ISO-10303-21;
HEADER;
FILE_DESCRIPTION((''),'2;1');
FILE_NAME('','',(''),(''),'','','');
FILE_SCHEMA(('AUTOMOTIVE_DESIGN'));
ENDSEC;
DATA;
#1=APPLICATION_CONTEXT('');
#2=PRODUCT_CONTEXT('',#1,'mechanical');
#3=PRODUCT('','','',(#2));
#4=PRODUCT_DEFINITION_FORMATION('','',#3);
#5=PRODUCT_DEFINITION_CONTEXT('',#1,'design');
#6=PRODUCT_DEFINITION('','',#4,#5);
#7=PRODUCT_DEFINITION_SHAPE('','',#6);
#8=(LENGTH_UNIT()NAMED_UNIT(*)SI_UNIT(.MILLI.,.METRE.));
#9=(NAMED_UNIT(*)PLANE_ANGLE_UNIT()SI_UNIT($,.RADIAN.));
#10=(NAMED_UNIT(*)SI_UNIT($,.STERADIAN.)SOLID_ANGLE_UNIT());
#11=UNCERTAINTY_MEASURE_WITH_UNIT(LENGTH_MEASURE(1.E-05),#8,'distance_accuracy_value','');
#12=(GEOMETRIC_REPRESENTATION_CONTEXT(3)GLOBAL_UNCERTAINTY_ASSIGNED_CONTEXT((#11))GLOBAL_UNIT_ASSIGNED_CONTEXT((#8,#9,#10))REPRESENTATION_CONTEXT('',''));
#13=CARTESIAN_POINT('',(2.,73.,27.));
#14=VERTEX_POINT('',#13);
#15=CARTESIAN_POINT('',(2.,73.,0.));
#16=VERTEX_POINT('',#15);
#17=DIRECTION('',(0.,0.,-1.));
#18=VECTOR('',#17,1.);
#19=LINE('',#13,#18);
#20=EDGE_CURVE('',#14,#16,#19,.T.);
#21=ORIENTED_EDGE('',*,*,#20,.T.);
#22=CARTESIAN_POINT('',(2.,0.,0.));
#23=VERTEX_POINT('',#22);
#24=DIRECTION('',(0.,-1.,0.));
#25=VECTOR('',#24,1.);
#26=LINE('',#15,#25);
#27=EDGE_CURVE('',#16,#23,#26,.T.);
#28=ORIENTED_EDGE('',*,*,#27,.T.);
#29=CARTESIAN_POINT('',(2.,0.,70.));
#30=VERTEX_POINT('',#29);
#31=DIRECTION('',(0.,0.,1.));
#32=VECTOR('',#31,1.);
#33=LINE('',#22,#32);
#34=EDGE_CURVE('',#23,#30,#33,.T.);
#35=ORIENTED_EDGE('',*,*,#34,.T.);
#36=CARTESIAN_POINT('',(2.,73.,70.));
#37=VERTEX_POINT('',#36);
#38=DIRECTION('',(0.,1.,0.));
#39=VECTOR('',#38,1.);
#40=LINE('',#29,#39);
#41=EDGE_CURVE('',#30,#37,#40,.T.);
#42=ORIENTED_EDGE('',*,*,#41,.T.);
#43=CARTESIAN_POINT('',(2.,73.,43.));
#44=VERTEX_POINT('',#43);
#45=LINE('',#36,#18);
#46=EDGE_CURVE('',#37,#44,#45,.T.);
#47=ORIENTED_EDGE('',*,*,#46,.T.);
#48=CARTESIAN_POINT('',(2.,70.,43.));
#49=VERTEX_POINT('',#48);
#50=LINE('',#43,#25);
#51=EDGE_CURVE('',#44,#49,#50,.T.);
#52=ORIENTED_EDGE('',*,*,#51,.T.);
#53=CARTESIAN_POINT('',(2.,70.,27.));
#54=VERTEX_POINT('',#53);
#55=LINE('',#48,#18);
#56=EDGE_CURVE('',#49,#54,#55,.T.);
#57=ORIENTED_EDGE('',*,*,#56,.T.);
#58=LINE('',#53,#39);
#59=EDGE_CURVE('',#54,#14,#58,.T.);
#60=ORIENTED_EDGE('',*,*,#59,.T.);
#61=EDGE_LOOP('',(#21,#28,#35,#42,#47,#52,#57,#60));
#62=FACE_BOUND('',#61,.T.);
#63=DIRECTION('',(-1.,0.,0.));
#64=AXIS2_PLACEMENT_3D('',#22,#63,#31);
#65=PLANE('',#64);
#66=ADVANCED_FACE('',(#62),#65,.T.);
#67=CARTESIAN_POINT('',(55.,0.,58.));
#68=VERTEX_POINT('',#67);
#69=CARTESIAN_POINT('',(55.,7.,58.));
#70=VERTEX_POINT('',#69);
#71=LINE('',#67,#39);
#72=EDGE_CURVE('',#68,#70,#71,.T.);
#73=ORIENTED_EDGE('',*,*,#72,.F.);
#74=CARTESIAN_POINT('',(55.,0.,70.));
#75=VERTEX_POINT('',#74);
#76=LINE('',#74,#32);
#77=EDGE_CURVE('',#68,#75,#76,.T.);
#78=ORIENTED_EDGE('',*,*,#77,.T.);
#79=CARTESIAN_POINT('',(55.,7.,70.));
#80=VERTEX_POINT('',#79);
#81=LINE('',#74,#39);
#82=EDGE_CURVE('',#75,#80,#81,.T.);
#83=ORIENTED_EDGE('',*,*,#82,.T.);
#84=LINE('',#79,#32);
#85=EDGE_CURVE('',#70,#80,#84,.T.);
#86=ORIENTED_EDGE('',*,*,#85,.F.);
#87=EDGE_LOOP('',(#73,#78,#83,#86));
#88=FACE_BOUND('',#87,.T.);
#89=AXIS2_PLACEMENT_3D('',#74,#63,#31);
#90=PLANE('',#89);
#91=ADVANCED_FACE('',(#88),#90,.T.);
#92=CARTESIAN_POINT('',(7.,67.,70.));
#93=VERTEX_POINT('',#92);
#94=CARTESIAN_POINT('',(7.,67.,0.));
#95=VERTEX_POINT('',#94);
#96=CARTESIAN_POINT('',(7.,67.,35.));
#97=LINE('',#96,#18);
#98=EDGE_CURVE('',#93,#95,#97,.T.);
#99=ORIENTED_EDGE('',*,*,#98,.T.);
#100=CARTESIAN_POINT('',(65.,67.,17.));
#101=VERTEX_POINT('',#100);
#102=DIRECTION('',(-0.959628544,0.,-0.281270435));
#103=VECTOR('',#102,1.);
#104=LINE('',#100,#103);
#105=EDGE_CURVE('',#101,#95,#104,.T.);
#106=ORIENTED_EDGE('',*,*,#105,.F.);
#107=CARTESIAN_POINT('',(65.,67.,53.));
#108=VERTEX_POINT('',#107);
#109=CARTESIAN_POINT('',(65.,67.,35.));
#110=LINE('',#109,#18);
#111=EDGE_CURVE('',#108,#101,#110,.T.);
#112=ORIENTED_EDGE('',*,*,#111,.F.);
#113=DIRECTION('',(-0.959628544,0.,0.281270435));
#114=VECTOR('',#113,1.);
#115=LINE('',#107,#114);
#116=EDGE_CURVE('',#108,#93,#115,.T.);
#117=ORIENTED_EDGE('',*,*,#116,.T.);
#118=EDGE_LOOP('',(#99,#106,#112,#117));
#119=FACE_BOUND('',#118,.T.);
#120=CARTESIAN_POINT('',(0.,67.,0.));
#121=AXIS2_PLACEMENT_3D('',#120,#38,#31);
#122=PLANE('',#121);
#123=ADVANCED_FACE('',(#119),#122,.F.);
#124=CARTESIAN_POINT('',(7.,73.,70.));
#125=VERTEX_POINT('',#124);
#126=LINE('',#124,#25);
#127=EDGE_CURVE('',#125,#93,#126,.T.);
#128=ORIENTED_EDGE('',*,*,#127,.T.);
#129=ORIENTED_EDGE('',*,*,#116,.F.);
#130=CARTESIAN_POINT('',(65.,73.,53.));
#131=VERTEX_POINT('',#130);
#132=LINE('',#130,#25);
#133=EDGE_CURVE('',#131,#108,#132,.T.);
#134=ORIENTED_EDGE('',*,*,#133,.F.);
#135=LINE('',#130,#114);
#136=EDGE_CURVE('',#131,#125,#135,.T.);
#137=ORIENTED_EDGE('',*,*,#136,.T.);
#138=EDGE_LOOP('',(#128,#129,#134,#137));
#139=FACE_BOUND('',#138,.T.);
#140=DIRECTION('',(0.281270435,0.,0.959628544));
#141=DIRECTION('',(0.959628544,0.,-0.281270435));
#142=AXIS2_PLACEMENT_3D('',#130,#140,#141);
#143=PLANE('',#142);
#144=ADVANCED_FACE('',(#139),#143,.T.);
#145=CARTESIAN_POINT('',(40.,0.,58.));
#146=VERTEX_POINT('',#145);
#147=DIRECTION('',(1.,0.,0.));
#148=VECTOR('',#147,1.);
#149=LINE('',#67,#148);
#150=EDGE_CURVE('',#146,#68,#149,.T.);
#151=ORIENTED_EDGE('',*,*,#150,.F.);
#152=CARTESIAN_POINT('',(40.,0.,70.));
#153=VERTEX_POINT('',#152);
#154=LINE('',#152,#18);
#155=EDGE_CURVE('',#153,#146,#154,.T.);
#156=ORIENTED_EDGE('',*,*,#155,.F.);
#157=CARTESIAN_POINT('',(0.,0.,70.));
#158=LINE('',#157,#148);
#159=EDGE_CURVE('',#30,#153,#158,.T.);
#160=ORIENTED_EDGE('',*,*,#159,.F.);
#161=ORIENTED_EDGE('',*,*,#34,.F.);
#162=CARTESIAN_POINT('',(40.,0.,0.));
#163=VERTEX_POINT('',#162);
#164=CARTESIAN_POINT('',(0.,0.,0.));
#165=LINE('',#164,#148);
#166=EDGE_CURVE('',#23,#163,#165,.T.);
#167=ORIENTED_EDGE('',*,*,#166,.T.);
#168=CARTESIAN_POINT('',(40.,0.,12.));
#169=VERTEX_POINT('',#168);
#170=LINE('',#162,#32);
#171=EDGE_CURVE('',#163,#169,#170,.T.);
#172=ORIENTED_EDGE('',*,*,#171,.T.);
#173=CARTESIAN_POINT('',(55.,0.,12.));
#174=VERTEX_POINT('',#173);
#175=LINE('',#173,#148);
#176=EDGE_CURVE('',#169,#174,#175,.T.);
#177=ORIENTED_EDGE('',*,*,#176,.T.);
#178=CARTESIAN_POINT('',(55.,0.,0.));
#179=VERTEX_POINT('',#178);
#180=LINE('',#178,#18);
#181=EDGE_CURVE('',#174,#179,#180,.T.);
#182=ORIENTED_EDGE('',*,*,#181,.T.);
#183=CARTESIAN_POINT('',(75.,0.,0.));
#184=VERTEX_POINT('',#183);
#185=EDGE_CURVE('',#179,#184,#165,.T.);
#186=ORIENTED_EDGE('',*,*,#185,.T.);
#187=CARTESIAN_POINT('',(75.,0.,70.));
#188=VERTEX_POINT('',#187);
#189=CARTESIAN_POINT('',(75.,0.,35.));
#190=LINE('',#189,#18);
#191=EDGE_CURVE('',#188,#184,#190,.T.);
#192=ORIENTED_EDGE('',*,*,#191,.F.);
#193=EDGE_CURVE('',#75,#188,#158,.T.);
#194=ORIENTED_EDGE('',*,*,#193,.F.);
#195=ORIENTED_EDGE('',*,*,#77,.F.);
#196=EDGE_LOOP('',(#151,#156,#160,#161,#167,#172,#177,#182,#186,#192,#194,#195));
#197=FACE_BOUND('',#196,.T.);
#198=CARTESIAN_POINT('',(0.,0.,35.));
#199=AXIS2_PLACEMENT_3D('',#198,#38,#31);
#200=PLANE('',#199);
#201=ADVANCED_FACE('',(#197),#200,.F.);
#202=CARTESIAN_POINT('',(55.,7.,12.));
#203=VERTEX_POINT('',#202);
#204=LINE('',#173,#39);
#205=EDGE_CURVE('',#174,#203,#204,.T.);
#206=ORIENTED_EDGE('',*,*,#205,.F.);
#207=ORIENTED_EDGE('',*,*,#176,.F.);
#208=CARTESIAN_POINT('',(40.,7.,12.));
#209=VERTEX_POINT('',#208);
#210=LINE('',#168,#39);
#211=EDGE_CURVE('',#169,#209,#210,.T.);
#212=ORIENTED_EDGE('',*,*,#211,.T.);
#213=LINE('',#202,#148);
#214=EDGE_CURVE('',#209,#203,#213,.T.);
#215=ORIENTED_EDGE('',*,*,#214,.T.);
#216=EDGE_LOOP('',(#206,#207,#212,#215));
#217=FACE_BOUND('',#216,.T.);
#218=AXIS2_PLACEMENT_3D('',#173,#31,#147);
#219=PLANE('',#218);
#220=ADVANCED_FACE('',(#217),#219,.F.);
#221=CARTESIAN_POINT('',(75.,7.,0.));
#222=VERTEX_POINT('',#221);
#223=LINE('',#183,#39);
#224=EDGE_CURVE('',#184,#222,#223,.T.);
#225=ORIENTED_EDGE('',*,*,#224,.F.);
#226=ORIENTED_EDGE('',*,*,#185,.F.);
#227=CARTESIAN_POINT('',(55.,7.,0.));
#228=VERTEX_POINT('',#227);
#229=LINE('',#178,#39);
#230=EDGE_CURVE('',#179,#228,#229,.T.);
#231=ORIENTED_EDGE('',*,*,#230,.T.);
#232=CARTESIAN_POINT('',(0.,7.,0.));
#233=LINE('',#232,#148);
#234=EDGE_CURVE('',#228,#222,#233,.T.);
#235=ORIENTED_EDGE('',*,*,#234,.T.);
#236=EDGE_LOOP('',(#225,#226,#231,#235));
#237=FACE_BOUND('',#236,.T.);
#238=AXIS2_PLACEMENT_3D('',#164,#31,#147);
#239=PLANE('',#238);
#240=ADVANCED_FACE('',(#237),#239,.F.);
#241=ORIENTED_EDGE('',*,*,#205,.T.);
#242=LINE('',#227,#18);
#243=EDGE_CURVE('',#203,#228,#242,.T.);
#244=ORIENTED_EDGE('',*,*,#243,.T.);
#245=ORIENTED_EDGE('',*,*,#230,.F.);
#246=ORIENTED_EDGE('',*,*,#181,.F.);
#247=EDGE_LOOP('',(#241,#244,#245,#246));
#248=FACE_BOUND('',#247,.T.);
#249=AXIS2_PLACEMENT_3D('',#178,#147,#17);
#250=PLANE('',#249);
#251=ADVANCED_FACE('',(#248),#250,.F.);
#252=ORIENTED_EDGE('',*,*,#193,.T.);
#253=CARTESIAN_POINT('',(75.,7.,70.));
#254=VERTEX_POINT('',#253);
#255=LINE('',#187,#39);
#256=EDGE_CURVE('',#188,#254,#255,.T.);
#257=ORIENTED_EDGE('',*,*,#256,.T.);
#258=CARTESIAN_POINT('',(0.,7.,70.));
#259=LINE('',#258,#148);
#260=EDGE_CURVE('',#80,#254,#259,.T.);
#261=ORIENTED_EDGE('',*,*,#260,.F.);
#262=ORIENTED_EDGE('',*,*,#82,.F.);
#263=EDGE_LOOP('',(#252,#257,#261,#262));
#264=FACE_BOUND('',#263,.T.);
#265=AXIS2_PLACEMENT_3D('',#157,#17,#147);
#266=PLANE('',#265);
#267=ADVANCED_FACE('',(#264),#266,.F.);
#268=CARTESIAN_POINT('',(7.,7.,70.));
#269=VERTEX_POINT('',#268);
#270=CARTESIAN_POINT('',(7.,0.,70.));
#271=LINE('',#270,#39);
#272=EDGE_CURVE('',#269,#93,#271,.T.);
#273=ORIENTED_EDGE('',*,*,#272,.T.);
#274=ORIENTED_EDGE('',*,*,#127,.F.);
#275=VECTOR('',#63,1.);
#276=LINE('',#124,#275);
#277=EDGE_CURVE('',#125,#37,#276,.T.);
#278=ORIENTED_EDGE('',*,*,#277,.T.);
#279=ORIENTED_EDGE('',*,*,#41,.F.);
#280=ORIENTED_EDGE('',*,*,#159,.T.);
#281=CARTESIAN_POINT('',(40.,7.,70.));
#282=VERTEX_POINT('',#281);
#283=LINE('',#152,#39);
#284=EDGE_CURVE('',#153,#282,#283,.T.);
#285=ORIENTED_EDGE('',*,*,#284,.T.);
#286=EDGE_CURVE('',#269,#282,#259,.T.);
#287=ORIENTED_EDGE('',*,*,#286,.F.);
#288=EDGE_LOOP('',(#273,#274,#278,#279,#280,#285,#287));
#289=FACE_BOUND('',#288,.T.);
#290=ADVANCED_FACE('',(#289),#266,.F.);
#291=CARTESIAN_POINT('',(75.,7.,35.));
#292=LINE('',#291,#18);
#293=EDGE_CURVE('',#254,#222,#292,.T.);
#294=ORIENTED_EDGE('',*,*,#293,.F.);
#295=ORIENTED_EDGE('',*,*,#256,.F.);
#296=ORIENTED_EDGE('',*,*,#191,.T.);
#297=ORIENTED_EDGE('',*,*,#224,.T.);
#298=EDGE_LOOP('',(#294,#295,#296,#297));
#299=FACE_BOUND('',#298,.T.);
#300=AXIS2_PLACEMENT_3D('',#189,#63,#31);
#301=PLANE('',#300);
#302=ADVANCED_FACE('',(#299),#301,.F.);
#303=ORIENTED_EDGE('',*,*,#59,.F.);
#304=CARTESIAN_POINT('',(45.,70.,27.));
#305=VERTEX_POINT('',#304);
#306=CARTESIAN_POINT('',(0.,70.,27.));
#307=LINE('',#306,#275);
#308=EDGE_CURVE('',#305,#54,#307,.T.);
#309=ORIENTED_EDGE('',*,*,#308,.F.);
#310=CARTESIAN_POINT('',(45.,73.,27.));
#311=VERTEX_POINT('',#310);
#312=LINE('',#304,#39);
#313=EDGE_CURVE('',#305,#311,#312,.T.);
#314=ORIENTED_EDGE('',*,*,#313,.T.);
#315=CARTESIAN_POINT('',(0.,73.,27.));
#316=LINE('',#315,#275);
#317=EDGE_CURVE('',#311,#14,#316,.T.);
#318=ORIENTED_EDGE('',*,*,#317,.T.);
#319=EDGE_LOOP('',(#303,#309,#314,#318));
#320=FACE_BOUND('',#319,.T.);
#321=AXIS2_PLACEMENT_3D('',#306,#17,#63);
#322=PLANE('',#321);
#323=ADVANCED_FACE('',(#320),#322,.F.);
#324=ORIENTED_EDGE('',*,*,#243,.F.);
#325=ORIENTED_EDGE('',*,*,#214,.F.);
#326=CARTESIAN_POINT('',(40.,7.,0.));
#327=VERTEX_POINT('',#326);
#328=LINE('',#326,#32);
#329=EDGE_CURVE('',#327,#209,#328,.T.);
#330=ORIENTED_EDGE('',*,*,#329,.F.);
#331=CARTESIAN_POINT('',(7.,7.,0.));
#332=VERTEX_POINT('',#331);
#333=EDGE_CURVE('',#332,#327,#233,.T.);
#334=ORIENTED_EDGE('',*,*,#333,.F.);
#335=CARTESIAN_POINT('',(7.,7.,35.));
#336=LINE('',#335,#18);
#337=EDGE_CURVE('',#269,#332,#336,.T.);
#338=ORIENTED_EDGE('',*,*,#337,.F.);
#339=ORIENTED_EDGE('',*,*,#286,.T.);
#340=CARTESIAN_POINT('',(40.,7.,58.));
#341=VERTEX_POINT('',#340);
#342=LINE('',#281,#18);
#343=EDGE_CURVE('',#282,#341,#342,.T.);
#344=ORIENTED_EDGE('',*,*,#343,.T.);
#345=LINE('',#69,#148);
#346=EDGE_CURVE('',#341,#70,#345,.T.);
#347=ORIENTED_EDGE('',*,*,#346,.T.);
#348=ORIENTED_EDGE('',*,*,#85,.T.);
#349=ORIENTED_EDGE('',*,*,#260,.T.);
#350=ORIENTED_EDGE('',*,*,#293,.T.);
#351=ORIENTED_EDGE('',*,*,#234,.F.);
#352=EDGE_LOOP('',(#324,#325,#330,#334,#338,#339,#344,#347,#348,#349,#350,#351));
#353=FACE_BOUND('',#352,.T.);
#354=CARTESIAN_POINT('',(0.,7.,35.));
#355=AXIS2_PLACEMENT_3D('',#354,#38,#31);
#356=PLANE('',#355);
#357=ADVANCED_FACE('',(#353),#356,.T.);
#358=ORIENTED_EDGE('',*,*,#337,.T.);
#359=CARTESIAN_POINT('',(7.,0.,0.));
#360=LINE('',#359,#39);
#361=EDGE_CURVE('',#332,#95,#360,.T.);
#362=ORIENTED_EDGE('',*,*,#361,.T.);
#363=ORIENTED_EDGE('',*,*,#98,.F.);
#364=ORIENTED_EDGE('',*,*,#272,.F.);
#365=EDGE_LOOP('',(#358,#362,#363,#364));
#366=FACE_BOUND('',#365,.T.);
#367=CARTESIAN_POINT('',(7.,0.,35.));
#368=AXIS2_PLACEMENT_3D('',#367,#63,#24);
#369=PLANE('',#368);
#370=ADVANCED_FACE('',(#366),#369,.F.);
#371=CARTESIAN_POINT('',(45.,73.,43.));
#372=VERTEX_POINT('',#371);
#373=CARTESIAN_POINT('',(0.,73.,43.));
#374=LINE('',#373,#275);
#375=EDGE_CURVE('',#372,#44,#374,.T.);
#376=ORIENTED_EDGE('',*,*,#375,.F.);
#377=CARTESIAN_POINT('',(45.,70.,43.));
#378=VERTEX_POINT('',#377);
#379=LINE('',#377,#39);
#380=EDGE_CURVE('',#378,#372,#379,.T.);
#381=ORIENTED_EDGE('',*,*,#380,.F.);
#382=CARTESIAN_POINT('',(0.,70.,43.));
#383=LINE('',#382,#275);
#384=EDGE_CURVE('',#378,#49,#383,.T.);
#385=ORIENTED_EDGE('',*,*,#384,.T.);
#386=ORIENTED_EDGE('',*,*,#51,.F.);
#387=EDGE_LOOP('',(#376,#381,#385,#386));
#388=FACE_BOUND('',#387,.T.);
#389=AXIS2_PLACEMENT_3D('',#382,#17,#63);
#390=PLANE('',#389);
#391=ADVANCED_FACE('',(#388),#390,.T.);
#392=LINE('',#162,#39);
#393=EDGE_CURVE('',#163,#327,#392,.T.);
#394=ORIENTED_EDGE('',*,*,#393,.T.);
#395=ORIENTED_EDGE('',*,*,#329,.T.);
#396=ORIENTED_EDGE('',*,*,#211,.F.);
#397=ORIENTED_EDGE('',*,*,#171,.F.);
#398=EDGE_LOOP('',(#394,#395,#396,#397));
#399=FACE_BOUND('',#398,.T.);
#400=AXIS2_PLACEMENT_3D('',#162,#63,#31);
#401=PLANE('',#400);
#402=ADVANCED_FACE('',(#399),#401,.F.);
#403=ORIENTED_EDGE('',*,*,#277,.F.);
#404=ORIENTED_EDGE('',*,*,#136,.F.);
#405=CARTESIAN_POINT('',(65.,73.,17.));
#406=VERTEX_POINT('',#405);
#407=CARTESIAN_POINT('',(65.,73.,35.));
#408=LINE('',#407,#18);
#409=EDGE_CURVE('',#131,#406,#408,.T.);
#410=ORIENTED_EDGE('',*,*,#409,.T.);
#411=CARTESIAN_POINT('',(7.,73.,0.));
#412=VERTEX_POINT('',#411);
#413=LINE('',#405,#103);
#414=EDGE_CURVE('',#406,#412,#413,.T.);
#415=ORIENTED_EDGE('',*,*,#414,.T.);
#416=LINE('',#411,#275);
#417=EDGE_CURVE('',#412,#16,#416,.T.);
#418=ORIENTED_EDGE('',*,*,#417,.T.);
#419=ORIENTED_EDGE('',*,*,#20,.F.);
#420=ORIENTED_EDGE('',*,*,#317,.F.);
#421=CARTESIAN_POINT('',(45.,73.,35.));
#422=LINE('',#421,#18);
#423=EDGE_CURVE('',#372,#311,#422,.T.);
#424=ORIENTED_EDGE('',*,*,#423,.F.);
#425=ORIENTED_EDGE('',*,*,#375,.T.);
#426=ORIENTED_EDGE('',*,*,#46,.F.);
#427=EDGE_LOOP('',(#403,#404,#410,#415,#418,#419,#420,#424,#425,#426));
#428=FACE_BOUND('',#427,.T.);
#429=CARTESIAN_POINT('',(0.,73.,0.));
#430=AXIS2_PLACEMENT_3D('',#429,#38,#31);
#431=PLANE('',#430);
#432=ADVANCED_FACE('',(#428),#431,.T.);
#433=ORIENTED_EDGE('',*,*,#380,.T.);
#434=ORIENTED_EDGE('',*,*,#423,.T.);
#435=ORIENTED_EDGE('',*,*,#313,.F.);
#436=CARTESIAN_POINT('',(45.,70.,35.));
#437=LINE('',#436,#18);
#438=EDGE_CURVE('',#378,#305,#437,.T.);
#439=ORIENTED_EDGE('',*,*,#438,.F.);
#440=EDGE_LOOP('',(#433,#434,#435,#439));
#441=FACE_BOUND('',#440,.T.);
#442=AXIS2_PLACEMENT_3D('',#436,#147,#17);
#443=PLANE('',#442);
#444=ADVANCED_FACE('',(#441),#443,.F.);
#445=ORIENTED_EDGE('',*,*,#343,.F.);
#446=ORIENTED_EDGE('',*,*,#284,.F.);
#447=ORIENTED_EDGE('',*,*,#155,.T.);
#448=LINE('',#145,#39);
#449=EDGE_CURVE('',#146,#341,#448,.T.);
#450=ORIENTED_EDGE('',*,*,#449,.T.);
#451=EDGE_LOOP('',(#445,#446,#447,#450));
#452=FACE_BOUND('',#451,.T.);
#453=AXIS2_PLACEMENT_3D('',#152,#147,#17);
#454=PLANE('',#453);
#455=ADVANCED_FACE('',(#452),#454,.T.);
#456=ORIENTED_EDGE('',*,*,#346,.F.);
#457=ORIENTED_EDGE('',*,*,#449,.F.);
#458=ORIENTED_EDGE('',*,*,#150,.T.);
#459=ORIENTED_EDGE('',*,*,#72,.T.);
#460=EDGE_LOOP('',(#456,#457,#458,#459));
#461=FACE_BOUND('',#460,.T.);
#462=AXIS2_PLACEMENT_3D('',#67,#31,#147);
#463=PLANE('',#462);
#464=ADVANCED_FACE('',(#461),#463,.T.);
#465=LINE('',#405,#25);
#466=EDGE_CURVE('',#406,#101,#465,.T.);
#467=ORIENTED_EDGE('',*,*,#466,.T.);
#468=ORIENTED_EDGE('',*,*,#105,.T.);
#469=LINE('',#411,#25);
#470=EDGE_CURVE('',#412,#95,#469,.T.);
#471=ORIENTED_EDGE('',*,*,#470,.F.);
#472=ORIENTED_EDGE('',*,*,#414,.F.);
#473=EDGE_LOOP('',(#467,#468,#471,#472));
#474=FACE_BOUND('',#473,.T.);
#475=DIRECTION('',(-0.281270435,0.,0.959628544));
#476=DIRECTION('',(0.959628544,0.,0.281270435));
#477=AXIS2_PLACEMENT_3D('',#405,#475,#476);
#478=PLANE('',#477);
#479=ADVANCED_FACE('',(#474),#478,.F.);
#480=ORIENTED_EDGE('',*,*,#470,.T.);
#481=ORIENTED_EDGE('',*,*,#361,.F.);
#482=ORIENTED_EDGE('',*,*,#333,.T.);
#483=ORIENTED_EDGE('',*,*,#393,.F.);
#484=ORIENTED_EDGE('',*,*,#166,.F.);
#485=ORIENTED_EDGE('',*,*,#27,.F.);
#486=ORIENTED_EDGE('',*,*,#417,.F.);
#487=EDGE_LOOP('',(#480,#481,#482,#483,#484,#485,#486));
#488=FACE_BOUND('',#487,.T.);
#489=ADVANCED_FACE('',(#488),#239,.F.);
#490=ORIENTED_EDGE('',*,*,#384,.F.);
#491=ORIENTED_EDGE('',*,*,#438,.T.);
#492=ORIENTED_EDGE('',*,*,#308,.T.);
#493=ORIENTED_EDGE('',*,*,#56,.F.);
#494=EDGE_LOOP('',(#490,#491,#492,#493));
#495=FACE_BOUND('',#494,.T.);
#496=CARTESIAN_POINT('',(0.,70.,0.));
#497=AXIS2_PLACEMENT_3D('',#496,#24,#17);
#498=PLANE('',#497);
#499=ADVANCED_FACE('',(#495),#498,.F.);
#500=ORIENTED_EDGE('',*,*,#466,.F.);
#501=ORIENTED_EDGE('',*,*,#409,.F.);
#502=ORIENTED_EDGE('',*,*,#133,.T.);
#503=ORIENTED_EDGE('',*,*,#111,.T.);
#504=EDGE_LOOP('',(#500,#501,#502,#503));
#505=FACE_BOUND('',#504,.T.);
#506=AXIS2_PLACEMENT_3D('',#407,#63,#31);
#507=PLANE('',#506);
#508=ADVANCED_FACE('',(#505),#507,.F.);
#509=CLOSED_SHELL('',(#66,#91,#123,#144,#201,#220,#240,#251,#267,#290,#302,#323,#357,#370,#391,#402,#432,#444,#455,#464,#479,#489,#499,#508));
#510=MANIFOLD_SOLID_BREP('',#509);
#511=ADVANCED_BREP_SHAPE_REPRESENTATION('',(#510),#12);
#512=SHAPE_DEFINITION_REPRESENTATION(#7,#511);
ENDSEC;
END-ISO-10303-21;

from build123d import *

# Parameters (mm, degrees)
SKETCH_1_W          = 7
SKETCH_1_H          = 60
SKETCH_1_W_2        = 75
SKETCH_1_H_2        = 7
EXTRUDE_1_DEPTH     = 35
EXTRUDE_2_DEPTH     = 6
SKETCH_3_W          = 45
SKETCH_3_H          = 8
CUT_EXTRUDE_1_DEPTH = 3
SKETCH_4_W          = 15
SKETCH_4_H          = 12
CUT_EXTRUDE_2_DEPTH = 106.858395983
CUT_EXTRUDE_3_DEPTH = 2


with BuildPart() as part:
    # Эскиз1 → Бобышка-Вытянуть1 (new body)
    with BuildSketch(Plane.XY):
        with Locations((3.5, 37)):
            Rectangle(SKETCH_1_W, SKETCH_1_H)
        with Locations((37.5, 3.5)):
            Rectangle(SKETCH_1_W_2, SKETCH_1_H_2)
    extrude_1 = extrude(amount=EXTRUDE_1_DEPTH)

    # Эскиз2 → Бобышка-Вытянуть2 (add)
    with BuildSketch(Plane(origin=(0, 67, 0), x_dir=(1, 0, 0), z_dir=(0, 1, 0))):
        Polygon((0, -35), (65, -35), (65, -17), (7, 0), (0, 0), align=None)
    extrude_2 = extrude(amount=EXTRUDE_2_DEPTH)

    # Эскиз3 → Вырез-Вытянуть1 (cut)
    with BuildSketch(Plane(origin=(0, 73, 0), x_dir=(1, 0, 0), z_dir=(0, 1, 0))):
        with Locations((22.5, -31)):
            Rectangle(SKETCH_3_W, SKETCH_3_H)
    cut_extrude_1 = extrude(amount=-CUT_EXTRUDE_1_DEPTH, mode=Mode.SUBTRACT)

    # Эскиз4 → Вырез-Вытянуть2 (cut, through all)
    with BuildSketch(Plane(origin=(0, 7, 0), x_dir=(1, 0, 0), z_dir=(0, 1, 0))):
        with Locations((47.5, -6)):
            Rectangle(SKETCH_4_W, SKETCH_4_H)
    cut_extrude_2 = extrude(amount=-CUT_EXTRUDE_2_DEPTH, mode=Mode.SUBTRACT)

    # Зеркальное отражение1: Бобышка-Вытянуть1, Бобышка-Вытянуть2, Вырез-Вытянуть1, Вырез-Вытянуть2 across plane
    add(extrude_1.mirror(Plane.XY.offset(35)))
    add(extrude_2.mirror(Plane.XY.offset(35)))
    add(cut_extrude_1.mirror(Plane.XY.offset(35)), mode=Mode.SUBTRACT)
    add(cut_extrude_2.mirror(Plane.XY.offset(35)), mode=Mode.SUBTRACT)

    # Эскиз5 → Вырез-Вытянуть3 (cut)
    with BuildSketch(Plane.ZY):
        Polygon((70, 73), (43, 73), (43, 70), (27, 70), (27, 73), (0, 73), (0, 0), (70, 0), align=None)
    extrude(amount=-CUT_EXTRUDE_3_DEPTH, mode=Mode.SUBTRACT)


solid = part.part
